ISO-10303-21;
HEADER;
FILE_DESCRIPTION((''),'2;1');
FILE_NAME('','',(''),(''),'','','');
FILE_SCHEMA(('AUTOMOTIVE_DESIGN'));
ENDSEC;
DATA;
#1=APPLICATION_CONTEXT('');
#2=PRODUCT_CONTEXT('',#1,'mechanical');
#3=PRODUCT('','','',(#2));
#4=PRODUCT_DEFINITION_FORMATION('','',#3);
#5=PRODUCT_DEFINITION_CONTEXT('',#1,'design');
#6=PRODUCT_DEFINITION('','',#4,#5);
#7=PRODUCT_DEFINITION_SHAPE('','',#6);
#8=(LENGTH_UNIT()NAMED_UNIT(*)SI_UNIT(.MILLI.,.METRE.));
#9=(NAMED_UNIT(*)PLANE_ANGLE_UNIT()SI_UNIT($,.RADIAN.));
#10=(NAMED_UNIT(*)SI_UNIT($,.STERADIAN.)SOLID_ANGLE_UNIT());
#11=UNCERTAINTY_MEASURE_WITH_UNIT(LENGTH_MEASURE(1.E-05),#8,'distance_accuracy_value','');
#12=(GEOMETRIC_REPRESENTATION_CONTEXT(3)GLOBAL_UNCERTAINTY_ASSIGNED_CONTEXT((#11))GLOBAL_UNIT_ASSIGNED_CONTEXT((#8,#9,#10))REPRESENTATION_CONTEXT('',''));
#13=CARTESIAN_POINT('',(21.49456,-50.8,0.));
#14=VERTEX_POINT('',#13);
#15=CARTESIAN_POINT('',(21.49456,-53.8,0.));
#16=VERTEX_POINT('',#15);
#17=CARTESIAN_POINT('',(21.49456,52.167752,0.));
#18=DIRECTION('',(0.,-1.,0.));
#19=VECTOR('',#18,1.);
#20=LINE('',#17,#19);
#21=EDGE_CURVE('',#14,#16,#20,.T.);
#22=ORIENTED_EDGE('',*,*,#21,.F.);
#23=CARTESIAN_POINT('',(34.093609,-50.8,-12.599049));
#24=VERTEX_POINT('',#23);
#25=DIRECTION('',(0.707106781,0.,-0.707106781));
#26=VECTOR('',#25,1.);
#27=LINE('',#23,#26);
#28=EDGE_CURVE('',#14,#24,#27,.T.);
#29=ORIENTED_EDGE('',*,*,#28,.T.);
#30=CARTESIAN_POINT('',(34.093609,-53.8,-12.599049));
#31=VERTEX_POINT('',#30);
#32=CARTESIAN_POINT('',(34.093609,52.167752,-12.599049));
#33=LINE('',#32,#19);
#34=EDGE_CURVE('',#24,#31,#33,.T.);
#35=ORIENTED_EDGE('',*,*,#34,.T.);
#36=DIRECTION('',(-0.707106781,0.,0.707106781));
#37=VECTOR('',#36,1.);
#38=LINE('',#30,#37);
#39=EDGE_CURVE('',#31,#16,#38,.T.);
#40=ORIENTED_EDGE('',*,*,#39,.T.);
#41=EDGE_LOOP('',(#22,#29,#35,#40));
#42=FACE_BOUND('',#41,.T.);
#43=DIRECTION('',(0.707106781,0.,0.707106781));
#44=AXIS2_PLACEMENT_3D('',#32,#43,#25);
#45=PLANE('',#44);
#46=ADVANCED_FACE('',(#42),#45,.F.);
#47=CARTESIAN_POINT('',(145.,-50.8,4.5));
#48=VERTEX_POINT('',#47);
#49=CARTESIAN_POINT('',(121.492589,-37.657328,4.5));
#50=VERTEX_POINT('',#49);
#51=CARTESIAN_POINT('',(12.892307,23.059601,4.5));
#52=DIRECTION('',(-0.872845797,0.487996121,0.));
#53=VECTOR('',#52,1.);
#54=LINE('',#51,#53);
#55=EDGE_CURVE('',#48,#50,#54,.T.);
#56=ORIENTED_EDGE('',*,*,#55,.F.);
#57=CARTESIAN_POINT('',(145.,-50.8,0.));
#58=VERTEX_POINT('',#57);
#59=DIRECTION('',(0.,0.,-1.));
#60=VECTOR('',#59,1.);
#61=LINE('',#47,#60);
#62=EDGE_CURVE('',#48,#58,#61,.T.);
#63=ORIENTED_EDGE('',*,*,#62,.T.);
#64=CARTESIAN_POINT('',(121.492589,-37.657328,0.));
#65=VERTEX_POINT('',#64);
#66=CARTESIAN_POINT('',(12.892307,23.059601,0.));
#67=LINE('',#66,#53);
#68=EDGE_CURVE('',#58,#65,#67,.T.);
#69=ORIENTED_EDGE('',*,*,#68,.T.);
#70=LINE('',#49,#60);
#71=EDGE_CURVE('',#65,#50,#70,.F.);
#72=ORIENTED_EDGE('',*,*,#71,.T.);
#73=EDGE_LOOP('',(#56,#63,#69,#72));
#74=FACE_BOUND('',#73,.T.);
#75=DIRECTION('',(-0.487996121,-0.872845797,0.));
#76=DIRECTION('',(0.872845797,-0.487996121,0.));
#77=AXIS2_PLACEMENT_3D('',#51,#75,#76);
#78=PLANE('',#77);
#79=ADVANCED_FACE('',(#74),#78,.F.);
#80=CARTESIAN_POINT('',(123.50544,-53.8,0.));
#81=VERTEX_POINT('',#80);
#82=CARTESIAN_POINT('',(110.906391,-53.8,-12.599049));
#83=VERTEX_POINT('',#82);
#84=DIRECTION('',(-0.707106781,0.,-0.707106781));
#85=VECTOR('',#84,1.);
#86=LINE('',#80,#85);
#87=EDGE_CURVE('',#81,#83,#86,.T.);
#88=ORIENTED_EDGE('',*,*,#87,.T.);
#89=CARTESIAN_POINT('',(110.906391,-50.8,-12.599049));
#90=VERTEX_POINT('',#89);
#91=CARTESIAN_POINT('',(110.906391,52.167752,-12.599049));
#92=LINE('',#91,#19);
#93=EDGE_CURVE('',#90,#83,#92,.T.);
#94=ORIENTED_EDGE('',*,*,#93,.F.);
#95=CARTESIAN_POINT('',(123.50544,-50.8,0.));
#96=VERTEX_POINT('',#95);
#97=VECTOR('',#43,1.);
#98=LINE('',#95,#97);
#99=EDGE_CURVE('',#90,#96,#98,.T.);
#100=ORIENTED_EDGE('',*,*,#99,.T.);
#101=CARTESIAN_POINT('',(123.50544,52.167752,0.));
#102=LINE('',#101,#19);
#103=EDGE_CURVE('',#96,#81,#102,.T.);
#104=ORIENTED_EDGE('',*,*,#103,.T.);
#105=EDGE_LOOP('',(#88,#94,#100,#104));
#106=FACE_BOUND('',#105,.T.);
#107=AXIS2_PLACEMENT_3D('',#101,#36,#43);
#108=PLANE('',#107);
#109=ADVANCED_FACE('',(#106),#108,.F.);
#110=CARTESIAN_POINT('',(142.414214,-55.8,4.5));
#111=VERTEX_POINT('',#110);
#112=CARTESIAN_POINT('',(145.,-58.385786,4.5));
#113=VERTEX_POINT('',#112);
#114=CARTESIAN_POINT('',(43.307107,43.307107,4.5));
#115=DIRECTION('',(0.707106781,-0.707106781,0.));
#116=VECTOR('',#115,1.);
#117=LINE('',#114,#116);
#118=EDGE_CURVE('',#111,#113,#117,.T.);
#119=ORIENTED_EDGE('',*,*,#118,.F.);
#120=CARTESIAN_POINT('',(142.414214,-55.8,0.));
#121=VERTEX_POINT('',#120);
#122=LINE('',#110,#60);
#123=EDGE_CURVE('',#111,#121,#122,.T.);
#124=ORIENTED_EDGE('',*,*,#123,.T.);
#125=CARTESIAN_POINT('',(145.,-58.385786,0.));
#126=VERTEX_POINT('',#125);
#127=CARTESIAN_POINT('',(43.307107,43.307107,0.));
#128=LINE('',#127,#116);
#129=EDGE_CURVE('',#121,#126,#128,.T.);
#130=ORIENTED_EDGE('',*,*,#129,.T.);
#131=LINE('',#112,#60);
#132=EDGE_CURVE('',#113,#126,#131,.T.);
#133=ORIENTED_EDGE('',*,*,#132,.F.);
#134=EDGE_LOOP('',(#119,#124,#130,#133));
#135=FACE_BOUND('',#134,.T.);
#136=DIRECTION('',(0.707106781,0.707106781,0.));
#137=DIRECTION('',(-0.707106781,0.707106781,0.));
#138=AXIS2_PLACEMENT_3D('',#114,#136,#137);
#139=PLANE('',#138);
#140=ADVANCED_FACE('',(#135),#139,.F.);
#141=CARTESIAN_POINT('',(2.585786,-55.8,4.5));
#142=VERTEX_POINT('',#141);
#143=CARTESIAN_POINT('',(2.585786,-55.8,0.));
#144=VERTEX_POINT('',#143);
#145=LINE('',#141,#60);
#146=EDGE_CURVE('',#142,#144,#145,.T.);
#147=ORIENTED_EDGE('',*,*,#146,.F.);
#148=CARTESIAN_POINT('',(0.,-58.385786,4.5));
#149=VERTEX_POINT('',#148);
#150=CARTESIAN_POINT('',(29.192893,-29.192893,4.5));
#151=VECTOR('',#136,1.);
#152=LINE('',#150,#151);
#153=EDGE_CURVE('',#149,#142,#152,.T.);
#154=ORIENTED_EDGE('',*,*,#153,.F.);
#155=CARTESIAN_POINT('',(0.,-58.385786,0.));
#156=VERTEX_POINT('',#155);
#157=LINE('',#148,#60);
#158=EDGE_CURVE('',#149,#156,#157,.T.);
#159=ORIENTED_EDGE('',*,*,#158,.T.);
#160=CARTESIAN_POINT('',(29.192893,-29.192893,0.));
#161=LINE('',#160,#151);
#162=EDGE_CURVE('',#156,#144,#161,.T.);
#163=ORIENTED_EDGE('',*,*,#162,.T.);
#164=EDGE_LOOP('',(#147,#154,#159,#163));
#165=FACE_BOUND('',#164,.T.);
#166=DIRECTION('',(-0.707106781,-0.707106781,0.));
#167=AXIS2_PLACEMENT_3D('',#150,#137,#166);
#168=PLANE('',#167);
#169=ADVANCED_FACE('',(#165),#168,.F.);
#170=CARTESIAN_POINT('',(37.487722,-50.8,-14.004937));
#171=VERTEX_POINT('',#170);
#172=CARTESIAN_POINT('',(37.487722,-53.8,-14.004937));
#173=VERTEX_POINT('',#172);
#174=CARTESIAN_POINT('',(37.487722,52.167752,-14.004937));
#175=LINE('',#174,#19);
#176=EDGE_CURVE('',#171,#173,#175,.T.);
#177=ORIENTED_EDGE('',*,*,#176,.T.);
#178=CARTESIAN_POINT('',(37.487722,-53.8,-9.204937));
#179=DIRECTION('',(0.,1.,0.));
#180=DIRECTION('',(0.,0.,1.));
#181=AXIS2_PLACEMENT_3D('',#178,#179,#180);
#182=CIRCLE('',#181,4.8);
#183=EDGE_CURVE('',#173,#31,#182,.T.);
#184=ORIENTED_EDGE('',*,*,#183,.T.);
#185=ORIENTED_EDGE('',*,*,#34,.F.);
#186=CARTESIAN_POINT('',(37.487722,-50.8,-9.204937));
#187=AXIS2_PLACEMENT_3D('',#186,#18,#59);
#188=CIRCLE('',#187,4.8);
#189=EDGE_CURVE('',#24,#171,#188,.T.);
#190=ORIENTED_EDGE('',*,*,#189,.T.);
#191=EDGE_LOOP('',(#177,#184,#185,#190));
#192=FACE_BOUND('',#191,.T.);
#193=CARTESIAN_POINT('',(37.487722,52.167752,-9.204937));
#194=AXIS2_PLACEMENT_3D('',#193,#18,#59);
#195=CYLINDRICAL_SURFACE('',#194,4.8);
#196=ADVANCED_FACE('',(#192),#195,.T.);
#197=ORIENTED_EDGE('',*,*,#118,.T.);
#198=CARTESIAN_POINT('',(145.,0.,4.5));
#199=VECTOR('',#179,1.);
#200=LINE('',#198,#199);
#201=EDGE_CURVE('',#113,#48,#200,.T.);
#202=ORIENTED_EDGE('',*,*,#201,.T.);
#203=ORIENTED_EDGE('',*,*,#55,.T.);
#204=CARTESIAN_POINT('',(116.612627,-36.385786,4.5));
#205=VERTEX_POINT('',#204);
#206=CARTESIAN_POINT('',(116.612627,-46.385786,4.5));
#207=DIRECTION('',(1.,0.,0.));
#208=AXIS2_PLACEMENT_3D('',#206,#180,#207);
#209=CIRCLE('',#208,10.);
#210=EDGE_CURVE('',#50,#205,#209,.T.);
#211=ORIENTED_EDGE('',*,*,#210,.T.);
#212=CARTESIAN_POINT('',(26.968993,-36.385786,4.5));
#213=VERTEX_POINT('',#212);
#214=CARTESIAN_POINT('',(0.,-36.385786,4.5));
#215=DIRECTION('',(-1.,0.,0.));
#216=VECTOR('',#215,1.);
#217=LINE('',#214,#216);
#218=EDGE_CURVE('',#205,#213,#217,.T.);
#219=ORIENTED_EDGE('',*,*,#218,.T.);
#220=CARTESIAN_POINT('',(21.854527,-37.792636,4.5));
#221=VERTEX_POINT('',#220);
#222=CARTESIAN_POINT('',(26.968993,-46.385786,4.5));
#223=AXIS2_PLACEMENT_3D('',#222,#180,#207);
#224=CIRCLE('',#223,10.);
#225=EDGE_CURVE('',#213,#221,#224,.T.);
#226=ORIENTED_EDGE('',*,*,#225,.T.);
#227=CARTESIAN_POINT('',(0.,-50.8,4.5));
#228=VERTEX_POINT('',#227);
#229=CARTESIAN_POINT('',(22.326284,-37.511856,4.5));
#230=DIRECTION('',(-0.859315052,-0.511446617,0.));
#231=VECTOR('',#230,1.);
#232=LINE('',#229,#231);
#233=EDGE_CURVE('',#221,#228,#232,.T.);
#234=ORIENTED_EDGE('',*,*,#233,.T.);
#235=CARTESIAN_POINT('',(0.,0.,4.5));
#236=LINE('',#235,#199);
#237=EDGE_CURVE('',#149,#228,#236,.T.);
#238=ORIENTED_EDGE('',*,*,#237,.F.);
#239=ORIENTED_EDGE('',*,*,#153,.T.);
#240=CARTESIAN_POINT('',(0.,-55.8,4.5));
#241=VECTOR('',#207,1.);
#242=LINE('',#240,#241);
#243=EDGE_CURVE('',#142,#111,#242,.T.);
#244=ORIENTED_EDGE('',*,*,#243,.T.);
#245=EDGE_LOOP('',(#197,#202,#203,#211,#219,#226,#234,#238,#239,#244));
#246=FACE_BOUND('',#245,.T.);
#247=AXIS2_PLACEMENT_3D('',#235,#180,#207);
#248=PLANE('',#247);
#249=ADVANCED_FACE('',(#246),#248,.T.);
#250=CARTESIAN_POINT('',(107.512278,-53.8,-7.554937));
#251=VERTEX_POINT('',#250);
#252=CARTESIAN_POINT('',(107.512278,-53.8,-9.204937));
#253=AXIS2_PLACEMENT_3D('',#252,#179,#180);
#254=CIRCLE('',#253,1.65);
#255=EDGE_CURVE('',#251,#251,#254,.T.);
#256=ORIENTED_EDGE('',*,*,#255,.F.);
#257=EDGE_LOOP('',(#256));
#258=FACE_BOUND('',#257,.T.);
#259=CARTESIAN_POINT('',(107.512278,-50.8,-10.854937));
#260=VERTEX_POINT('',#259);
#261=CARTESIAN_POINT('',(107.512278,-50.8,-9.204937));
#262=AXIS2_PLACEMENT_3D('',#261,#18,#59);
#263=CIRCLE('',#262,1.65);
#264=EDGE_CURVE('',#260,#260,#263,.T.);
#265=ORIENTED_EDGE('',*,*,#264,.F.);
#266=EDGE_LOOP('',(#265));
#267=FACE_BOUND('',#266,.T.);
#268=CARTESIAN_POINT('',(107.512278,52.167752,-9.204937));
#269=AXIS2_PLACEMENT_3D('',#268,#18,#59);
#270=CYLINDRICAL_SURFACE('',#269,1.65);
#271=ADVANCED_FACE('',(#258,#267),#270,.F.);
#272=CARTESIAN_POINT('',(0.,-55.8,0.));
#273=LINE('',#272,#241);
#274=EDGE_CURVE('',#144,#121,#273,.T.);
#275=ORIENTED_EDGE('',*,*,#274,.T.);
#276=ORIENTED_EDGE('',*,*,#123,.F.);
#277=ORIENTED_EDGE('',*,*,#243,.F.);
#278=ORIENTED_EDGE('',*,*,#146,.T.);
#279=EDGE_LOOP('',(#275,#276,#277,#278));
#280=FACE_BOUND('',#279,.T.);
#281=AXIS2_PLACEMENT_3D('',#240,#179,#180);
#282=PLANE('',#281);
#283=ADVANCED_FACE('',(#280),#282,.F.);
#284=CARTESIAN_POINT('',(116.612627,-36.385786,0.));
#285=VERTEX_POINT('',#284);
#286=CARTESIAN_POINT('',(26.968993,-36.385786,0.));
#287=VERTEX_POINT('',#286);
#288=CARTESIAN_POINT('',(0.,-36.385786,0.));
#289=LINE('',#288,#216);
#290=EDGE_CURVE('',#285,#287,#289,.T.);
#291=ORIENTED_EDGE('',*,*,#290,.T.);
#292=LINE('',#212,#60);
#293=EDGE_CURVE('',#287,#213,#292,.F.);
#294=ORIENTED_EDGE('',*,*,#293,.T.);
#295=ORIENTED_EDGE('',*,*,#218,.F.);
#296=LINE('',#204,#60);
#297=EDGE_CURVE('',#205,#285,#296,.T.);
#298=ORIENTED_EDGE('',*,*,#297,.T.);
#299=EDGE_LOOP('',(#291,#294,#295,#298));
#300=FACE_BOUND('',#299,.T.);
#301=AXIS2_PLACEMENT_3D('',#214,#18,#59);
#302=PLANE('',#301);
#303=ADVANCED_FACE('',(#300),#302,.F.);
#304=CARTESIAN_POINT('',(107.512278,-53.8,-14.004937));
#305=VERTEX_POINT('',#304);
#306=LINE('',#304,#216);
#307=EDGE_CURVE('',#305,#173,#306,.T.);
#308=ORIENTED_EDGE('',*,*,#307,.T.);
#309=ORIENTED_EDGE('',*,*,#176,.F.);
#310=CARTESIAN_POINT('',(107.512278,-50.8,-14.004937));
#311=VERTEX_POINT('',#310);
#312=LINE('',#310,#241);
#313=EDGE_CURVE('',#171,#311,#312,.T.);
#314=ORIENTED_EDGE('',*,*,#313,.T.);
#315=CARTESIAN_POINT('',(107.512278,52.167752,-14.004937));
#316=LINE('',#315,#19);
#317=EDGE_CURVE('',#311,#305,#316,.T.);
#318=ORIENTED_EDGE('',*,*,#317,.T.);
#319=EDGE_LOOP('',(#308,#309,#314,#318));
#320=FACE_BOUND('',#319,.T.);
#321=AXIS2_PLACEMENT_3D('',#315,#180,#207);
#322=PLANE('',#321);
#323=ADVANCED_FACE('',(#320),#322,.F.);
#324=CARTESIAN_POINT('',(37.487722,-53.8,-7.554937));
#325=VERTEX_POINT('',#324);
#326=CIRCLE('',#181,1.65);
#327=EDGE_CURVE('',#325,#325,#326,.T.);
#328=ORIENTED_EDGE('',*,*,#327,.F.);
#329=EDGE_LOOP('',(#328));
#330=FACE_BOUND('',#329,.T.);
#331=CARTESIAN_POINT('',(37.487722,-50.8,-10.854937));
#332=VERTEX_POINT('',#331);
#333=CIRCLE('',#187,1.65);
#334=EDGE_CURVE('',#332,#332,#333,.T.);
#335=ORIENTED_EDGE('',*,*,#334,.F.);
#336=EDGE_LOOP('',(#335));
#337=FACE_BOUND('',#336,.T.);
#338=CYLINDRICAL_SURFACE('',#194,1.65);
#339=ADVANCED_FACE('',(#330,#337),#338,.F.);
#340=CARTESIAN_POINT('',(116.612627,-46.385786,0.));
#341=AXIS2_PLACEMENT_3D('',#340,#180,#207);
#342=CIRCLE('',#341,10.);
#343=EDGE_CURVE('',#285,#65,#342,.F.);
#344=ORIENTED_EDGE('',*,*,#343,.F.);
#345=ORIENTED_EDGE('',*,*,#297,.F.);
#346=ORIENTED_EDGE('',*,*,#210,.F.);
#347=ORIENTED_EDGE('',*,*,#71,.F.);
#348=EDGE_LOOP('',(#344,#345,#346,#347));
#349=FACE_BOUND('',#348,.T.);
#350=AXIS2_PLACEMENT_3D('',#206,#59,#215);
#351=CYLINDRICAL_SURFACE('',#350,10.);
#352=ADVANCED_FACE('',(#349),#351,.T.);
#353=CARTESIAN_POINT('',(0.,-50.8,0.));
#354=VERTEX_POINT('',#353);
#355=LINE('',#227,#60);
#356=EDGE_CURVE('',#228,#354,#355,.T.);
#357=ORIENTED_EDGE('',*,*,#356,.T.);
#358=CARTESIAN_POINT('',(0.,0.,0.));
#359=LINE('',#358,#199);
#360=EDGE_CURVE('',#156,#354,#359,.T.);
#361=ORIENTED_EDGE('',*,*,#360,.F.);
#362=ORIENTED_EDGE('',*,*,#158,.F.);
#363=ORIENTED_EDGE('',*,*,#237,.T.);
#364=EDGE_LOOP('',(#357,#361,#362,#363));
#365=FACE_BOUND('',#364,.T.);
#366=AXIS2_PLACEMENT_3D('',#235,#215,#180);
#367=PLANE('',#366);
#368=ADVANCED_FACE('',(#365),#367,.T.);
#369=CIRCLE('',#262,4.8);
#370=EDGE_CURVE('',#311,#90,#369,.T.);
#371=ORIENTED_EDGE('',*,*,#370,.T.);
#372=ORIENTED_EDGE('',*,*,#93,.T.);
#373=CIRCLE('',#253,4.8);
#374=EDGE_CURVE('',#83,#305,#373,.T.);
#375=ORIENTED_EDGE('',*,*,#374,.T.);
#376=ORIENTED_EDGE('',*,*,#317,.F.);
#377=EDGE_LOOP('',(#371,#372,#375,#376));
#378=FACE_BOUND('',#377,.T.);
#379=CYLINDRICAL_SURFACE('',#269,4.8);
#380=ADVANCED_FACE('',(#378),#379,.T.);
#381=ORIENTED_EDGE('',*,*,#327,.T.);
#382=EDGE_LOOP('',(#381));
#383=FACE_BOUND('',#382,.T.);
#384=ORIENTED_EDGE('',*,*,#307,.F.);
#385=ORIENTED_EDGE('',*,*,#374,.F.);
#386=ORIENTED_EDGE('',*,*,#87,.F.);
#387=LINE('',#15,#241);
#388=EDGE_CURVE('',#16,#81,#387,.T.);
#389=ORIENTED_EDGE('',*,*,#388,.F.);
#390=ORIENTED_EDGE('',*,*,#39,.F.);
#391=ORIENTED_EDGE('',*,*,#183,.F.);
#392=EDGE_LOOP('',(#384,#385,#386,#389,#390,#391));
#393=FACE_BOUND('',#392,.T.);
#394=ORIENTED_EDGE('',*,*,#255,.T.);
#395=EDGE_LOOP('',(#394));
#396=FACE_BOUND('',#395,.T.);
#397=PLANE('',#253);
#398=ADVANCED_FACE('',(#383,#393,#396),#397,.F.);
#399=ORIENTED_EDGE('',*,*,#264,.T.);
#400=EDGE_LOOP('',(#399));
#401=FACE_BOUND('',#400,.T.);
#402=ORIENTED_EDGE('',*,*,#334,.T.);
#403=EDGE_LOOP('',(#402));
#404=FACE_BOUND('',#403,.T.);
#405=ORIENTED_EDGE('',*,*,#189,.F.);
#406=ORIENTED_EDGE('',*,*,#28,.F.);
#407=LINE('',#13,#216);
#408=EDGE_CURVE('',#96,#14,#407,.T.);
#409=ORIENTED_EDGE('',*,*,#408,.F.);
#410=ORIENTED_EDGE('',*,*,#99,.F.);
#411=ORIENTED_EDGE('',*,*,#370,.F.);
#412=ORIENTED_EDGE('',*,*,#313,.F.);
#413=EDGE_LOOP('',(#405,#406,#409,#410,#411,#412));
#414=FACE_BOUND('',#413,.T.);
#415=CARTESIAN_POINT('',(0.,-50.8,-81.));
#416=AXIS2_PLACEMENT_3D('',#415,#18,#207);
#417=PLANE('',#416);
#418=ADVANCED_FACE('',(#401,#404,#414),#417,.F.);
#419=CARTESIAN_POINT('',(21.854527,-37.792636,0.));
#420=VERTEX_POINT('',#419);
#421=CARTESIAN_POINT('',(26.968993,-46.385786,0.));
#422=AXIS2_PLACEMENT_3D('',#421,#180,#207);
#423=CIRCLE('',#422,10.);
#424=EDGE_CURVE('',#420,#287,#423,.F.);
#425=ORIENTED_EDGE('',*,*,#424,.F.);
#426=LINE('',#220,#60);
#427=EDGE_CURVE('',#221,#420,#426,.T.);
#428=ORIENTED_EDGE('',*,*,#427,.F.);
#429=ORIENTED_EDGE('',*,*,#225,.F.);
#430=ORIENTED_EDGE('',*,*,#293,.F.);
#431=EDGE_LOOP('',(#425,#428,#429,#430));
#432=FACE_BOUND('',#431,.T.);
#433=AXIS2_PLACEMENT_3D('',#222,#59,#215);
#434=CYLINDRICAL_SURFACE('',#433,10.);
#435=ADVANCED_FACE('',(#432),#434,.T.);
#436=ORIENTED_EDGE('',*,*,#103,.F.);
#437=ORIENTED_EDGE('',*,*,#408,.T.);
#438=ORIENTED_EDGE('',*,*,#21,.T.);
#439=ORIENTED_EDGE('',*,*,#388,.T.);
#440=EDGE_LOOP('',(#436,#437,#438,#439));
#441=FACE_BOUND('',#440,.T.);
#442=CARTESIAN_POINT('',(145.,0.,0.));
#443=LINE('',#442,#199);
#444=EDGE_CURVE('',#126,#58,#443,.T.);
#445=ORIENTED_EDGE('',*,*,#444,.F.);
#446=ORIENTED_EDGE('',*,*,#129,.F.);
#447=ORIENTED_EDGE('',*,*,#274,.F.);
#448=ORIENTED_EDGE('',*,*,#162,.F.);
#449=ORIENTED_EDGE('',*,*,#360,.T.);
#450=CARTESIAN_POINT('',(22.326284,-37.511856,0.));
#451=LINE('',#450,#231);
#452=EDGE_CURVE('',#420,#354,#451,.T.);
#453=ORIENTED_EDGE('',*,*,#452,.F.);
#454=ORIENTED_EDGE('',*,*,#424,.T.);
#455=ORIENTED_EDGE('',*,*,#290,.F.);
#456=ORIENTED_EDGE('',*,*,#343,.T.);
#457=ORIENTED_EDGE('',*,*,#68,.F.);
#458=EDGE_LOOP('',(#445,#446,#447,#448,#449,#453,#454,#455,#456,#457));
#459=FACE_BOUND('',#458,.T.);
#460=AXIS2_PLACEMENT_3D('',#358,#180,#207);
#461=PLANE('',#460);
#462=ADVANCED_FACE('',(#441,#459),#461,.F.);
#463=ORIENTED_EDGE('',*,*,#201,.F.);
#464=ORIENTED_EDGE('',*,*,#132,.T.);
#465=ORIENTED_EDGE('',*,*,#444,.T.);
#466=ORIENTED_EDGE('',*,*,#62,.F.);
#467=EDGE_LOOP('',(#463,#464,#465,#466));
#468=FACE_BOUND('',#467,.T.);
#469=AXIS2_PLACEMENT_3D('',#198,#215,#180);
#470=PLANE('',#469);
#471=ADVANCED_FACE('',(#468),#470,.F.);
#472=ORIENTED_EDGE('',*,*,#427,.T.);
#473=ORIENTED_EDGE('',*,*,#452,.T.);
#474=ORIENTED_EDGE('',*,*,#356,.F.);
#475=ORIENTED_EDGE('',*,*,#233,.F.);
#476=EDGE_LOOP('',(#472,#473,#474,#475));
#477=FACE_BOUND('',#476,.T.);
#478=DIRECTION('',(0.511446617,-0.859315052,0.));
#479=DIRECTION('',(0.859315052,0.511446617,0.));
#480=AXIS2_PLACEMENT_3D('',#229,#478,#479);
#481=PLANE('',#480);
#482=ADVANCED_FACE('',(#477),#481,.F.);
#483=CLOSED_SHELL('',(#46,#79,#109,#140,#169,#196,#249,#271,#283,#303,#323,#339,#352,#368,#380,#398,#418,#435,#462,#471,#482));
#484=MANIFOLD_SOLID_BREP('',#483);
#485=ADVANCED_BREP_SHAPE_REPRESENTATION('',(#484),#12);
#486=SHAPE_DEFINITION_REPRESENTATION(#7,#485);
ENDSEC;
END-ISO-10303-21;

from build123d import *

# Parameters (mm, degrees)
BOSS_EXTRUDE1_DEPTH = 4.5
SKETCH2_R           = 1.65
BOSS_EXTRUDE2_DEPTH = 3
FILLET1_R           = 10


with BuildPart() as part:
    # Sketch1 → Boss-Extrude1 (new body)
    with BuildSketch(Plane.XY):
        Polygon((145, -50.8), (119.218266921, -36.385786438), (24.218266921, -36.385786438), (0, -50.8), (0, -58.385786438), (2.585786438, -55.8), (142.414213562, -55.8), (145, -58.385786438), align=None)
    extrude(amount=BOSS_EXTRUDE1_DEPTH)

    # Sketch2 → Boss-Extrude2 (add)
    with BuildSketch(Plane(origin=(0, -53.8, 0), x_dir=(1, 0, 0), z_dir=(0, 1, 0))):
        with BuildLine():
            Line((123.505440237, 0), (110.90639088, 12.599049358))
            ThreePointArc((110.90639088, 12.599049358), (109.349158805, 13.639558564), (107.51227833, 14.004936808))
            Line((107.51227833, 14.004936808), (37.48772167, 14.004936808))
            ThreePointArc((37.48772167, 14.004936808), (35.650841195, 13.639558564), (34.09360912, 12.599049358))
            Line((34.09360912, 12.599049358), (21.494559763, 0))
            Line((21.494559763, 0), (123.505440237, 0))
        make_face()
        with Locations((37.48772167, 9.204936808)):
            Circle(SKETCH2_R, mode=Mode.SUBTRACT)
        with Locations((107.51227833, 9.204936808)):
            Circle(SKETCH2_R, mode=Mode.SUBTRACT)
    extrude(amount=BOSS_EXTRUDE2_DEPTH)

    # Fillet1
    fillet1_edges = [part.edges().sort_by_distance(p)[0] for p in [
        (119.218266921, -36.385786438, 2.25),
        (24.218266921, -36.385786438, 2.25),
    ]]
    fillet(fillet1_edges, radius=FILLET1_R)


solid = part.part
